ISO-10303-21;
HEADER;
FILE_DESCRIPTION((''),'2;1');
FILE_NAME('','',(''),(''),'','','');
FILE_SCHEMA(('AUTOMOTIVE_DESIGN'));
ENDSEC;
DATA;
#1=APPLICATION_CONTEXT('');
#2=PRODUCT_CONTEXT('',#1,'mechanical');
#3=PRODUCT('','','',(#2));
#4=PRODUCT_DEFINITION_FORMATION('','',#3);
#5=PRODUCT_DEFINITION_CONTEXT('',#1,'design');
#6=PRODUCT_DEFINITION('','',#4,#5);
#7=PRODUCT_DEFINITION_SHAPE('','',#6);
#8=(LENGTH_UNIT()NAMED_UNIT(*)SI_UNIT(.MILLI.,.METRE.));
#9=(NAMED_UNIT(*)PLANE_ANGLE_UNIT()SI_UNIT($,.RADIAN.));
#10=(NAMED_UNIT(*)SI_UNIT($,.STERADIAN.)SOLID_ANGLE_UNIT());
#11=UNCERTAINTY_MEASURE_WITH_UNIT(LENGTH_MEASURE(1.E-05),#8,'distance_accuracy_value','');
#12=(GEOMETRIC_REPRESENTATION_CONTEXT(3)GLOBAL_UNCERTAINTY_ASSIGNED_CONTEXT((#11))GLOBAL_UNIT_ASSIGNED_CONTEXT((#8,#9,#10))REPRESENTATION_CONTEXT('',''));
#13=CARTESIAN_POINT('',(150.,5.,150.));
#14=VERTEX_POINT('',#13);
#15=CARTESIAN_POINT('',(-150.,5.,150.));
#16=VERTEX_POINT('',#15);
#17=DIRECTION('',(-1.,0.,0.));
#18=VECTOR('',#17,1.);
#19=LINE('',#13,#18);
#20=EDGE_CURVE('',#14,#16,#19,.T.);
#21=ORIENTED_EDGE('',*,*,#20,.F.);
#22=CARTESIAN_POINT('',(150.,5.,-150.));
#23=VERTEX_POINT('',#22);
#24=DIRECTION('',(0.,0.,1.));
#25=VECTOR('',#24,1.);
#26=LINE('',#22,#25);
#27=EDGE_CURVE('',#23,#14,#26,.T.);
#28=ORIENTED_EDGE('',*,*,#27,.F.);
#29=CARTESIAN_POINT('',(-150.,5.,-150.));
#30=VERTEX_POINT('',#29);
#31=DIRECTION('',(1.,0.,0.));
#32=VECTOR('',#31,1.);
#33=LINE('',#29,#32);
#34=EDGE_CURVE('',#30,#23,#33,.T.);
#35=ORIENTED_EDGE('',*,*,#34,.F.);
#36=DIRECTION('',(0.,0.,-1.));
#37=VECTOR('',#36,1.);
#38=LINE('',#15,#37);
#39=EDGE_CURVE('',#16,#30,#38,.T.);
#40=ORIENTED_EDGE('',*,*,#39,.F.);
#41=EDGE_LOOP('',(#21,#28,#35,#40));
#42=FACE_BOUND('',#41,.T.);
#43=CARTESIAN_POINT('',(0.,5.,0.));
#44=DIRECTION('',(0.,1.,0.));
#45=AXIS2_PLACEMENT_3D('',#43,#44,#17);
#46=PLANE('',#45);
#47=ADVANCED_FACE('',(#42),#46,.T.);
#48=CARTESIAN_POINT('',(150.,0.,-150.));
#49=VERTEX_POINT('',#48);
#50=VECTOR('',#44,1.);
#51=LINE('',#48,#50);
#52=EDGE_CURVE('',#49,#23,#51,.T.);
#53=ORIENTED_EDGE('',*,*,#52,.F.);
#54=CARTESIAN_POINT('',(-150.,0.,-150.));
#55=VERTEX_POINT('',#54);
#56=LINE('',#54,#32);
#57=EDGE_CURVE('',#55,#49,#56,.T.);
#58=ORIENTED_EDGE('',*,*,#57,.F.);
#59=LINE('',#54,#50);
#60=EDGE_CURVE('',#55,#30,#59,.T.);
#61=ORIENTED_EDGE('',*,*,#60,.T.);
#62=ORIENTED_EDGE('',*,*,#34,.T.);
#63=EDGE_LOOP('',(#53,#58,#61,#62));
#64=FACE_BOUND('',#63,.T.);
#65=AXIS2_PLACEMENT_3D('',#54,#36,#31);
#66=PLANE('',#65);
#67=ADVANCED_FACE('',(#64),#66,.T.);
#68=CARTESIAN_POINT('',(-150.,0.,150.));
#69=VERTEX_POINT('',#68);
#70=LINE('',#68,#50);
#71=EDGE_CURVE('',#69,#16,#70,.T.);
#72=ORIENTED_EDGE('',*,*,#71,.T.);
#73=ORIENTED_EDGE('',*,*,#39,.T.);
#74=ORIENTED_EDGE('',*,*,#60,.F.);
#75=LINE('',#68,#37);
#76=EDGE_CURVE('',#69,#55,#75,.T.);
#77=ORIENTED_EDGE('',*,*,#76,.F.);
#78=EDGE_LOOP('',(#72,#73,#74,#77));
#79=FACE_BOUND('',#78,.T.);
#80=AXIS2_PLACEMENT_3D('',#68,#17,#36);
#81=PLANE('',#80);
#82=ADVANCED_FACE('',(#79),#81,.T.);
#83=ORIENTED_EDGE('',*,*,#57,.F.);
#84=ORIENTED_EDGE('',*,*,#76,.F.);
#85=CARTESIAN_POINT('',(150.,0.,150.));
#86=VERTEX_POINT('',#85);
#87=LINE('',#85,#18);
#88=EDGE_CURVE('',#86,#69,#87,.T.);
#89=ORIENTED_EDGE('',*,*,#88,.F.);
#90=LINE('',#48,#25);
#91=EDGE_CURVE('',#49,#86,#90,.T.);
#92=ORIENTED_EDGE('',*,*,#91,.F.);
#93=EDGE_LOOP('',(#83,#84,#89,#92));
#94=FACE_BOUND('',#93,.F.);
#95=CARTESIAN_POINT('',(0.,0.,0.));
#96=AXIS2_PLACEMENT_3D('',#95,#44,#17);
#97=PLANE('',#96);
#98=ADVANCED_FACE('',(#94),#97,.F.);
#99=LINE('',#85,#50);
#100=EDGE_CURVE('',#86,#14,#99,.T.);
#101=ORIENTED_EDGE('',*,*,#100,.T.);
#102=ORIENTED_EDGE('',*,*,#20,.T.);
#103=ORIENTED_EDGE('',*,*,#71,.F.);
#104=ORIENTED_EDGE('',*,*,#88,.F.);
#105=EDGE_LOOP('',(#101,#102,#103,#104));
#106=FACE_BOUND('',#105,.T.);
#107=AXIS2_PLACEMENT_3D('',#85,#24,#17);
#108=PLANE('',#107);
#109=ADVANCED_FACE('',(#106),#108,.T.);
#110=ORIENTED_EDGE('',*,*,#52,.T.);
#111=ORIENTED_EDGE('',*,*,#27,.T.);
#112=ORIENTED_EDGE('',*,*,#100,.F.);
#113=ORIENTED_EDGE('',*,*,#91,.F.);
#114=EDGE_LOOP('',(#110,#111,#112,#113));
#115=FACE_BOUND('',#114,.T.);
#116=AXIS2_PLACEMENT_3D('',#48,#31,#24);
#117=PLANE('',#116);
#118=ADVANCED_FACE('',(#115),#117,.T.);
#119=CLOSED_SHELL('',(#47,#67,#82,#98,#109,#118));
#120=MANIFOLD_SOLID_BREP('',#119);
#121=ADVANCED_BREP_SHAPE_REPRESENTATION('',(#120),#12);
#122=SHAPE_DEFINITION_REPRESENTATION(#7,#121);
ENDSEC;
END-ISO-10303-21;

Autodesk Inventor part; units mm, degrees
ref_plane "YZ Plane" through (0, 0, 0) normal (1, 0, 0) x (0, 1, 0)
ref_plane "XZ Plane" through (0, 0, 0) normal (0, 1, 0) x (-1, 0, 0)
ref_plane "XY Plane" through (0, 0, 0) normal (0, 0, 1) x (1, 0, 0)
sketch "Sketch1" plane through (0, 0, 0) normal (0, 1, 0) x (-1, 0, 0)
  line L0 (-150, 150) -> (150, 150)
  line L1 (150, 150) -> (150, -150)
  line L2 (150, -150) -> (-150, -150)
  line L3 (-150, -150) -> (-150, 150)
  line L4 (-150, 150) -> (150, -150) construction
  line L5 (150, 150) -> (-150, -150) construction
  point P0 (0, 0)
  dimension "d0" = 300
  dimension "d1" = 300
extrude "Extrusion1" add sketch "Sketch1" along normal blind 5
properties part number "blacha aluminiowa"
